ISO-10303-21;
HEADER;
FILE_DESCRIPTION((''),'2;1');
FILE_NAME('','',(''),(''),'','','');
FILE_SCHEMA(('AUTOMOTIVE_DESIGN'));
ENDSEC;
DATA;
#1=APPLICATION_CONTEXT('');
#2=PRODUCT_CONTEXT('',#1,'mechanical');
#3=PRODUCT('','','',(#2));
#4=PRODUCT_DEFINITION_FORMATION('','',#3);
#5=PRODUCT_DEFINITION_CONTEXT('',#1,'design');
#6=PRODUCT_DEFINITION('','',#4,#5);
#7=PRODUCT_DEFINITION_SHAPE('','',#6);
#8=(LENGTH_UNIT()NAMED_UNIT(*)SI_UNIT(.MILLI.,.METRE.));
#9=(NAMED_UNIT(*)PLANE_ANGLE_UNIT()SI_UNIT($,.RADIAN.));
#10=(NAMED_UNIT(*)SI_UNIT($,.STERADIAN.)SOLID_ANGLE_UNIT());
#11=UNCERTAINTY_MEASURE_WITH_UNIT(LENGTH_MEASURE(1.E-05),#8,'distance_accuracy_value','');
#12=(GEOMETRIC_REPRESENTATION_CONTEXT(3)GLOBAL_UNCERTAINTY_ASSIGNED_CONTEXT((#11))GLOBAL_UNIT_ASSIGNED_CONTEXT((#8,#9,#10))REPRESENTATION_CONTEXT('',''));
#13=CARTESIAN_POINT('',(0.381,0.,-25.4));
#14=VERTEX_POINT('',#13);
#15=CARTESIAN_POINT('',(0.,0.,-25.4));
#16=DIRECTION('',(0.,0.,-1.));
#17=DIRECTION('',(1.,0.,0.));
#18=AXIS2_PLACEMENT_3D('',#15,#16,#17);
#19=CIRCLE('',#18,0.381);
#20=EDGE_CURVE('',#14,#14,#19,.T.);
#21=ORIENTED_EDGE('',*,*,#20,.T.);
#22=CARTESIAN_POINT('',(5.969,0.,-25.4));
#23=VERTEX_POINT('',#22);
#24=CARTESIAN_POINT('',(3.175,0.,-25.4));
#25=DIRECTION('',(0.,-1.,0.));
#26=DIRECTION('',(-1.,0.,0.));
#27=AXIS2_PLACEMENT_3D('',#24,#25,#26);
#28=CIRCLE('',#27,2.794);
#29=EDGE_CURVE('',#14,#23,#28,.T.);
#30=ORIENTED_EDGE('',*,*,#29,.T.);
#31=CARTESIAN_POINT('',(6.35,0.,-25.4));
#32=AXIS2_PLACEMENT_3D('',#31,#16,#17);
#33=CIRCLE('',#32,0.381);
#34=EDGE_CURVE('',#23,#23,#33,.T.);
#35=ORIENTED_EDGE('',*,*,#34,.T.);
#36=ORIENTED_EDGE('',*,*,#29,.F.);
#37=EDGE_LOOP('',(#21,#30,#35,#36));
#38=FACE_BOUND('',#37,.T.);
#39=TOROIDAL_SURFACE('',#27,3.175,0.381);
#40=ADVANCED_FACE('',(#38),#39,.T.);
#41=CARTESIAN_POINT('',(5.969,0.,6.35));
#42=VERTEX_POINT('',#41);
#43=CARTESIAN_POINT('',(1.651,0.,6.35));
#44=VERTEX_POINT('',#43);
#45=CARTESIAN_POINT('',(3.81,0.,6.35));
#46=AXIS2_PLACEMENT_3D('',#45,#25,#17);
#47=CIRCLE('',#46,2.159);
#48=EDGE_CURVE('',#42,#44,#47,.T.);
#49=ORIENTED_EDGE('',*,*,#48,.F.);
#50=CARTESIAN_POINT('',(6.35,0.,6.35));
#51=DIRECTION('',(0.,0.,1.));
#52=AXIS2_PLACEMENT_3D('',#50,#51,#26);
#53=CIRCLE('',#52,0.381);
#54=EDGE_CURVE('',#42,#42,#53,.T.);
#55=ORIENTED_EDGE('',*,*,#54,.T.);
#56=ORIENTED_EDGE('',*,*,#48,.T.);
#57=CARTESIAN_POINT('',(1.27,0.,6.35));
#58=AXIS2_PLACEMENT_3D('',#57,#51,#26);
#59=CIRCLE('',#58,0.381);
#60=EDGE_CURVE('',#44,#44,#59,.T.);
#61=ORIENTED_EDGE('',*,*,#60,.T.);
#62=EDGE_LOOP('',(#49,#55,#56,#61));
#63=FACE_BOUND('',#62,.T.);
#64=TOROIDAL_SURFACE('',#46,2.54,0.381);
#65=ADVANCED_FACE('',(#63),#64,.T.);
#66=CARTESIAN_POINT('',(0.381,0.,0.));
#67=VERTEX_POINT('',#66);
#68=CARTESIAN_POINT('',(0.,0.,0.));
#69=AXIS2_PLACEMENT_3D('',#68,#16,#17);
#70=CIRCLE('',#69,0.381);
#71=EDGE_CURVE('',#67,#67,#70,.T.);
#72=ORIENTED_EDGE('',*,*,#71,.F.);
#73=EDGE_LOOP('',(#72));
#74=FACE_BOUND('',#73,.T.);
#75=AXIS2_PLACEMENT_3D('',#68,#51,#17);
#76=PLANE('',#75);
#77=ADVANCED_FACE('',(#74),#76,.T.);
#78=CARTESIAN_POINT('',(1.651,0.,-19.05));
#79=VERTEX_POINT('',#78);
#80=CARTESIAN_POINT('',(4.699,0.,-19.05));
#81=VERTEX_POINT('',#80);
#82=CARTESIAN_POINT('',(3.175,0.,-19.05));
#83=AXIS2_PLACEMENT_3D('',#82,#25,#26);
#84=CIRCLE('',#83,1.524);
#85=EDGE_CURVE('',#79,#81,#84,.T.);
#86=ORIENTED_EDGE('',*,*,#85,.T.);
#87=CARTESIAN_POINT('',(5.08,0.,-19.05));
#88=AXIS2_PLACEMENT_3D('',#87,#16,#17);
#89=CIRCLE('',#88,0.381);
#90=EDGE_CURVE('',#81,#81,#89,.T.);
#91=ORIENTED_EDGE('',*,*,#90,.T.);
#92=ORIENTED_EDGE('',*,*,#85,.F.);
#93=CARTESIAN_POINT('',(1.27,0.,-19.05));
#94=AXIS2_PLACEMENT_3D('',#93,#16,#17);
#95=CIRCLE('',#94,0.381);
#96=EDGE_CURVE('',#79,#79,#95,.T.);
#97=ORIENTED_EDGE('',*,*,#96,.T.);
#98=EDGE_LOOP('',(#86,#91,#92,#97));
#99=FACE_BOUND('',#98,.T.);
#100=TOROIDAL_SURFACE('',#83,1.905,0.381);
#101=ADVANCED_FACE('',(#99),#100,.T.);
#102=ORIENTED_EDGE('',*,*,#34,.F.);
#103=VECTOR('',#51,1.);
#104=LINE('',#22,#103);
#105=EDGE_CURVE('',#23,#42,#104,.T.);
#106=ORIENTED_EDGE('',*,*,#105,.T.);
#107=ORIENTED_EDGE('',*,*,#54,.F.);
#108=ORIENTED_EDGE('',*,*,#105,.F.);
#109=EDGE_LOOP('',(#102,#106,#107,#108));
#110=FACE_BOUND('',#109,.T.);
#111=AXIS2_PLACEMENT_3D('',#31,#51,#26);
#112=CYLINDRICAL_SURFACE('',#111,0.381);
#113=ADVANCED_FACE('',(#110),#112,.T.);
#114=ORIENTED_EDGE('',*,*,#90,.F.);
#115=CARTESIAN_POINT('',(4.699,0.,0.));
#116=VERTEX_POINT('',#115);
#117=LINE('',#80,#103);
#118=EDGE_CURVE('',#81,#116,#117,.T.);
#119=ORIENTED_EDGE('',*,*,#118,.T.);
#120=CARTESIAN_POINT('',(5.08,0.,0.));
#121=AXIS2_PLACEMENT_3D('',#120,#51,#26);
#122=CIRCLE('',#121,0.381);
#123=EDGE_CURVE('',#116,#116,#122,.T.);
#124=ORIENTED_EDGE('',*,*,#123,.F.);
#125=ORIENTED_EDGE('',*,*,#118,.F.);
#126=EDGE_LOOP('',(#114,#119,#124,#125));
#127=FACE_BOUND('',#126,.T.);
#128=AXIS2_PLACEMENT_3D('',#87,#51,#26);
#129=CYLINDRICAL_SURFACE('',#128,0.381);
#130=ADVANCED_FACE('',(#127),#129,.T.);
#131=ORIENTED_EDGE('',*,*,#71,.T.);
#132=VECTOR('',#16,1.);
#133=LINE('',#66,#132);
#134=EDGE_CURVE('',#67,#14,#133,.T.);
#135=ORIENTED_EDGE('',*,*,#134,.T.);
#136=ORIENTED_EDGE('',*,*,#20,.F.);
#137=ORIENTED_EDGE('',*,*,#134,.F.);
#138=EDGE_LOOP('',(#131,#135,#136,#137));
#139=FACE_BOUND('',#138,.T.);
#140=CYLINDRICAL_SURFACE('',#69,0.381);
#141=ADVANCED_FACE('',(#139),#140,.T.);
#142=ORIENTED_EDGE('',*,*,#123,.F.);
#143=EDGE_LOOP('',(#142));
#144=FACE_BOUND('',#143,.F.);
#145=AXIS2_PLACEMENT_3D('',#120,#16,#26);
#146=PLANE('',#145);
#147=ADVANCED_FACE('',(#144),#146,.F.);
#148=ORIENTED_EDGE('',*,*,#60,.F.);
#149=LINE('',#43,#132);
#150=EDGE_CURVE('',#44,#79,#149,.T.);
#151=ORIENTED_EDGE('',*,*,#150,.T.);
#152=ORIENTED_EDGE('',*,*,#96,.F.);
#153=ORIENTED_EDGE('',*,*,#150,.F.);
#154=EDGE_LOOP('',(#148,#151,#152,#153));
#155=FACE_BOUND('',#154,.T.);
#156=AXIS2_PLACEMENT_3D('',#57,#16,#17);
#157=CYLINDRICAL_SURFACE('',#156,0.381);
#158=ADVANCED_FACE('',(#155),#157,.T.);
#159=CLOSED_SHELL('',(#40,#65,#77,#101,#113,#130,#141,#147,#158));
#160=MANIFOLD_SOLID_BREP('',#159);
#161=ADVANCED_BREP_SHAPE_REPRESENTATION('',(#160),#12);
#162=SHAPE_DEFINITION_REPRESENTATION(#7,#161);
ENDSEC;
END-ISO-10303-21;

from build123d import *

# Parameters (mm, degrees)
F1_R = 0.381


with BuildPart() as f2:
    # F2: sweep along a path in F0
    with BuildLine(Plane.XZ) as f2_path:
        Line((0, 0), (0, -25.4))
        ThreePointArc((0, -25.4), (3.175, -28.575), (6.35, -25.4))
        Line((6.35, -25.4), (6.35, 6.35))
        ThreePointArc((6.35, 6.35), (3.81, 8.89), (1.27, 6.35))
        Line((1.27, 6.35), (1.27, -19.05))
        ThreePointArc((1.27, -19.05), (3.175, -20.955), (5.08, -19.05))
        Line((5.08, -19.05), (5.08, 0))
    # F1 (on Top) → F2 (sweep)
    with BuildSketch(Plane.XY):
        Circle(F1_R)
    sweep(path=f2_path.line)


solid = f2.part
